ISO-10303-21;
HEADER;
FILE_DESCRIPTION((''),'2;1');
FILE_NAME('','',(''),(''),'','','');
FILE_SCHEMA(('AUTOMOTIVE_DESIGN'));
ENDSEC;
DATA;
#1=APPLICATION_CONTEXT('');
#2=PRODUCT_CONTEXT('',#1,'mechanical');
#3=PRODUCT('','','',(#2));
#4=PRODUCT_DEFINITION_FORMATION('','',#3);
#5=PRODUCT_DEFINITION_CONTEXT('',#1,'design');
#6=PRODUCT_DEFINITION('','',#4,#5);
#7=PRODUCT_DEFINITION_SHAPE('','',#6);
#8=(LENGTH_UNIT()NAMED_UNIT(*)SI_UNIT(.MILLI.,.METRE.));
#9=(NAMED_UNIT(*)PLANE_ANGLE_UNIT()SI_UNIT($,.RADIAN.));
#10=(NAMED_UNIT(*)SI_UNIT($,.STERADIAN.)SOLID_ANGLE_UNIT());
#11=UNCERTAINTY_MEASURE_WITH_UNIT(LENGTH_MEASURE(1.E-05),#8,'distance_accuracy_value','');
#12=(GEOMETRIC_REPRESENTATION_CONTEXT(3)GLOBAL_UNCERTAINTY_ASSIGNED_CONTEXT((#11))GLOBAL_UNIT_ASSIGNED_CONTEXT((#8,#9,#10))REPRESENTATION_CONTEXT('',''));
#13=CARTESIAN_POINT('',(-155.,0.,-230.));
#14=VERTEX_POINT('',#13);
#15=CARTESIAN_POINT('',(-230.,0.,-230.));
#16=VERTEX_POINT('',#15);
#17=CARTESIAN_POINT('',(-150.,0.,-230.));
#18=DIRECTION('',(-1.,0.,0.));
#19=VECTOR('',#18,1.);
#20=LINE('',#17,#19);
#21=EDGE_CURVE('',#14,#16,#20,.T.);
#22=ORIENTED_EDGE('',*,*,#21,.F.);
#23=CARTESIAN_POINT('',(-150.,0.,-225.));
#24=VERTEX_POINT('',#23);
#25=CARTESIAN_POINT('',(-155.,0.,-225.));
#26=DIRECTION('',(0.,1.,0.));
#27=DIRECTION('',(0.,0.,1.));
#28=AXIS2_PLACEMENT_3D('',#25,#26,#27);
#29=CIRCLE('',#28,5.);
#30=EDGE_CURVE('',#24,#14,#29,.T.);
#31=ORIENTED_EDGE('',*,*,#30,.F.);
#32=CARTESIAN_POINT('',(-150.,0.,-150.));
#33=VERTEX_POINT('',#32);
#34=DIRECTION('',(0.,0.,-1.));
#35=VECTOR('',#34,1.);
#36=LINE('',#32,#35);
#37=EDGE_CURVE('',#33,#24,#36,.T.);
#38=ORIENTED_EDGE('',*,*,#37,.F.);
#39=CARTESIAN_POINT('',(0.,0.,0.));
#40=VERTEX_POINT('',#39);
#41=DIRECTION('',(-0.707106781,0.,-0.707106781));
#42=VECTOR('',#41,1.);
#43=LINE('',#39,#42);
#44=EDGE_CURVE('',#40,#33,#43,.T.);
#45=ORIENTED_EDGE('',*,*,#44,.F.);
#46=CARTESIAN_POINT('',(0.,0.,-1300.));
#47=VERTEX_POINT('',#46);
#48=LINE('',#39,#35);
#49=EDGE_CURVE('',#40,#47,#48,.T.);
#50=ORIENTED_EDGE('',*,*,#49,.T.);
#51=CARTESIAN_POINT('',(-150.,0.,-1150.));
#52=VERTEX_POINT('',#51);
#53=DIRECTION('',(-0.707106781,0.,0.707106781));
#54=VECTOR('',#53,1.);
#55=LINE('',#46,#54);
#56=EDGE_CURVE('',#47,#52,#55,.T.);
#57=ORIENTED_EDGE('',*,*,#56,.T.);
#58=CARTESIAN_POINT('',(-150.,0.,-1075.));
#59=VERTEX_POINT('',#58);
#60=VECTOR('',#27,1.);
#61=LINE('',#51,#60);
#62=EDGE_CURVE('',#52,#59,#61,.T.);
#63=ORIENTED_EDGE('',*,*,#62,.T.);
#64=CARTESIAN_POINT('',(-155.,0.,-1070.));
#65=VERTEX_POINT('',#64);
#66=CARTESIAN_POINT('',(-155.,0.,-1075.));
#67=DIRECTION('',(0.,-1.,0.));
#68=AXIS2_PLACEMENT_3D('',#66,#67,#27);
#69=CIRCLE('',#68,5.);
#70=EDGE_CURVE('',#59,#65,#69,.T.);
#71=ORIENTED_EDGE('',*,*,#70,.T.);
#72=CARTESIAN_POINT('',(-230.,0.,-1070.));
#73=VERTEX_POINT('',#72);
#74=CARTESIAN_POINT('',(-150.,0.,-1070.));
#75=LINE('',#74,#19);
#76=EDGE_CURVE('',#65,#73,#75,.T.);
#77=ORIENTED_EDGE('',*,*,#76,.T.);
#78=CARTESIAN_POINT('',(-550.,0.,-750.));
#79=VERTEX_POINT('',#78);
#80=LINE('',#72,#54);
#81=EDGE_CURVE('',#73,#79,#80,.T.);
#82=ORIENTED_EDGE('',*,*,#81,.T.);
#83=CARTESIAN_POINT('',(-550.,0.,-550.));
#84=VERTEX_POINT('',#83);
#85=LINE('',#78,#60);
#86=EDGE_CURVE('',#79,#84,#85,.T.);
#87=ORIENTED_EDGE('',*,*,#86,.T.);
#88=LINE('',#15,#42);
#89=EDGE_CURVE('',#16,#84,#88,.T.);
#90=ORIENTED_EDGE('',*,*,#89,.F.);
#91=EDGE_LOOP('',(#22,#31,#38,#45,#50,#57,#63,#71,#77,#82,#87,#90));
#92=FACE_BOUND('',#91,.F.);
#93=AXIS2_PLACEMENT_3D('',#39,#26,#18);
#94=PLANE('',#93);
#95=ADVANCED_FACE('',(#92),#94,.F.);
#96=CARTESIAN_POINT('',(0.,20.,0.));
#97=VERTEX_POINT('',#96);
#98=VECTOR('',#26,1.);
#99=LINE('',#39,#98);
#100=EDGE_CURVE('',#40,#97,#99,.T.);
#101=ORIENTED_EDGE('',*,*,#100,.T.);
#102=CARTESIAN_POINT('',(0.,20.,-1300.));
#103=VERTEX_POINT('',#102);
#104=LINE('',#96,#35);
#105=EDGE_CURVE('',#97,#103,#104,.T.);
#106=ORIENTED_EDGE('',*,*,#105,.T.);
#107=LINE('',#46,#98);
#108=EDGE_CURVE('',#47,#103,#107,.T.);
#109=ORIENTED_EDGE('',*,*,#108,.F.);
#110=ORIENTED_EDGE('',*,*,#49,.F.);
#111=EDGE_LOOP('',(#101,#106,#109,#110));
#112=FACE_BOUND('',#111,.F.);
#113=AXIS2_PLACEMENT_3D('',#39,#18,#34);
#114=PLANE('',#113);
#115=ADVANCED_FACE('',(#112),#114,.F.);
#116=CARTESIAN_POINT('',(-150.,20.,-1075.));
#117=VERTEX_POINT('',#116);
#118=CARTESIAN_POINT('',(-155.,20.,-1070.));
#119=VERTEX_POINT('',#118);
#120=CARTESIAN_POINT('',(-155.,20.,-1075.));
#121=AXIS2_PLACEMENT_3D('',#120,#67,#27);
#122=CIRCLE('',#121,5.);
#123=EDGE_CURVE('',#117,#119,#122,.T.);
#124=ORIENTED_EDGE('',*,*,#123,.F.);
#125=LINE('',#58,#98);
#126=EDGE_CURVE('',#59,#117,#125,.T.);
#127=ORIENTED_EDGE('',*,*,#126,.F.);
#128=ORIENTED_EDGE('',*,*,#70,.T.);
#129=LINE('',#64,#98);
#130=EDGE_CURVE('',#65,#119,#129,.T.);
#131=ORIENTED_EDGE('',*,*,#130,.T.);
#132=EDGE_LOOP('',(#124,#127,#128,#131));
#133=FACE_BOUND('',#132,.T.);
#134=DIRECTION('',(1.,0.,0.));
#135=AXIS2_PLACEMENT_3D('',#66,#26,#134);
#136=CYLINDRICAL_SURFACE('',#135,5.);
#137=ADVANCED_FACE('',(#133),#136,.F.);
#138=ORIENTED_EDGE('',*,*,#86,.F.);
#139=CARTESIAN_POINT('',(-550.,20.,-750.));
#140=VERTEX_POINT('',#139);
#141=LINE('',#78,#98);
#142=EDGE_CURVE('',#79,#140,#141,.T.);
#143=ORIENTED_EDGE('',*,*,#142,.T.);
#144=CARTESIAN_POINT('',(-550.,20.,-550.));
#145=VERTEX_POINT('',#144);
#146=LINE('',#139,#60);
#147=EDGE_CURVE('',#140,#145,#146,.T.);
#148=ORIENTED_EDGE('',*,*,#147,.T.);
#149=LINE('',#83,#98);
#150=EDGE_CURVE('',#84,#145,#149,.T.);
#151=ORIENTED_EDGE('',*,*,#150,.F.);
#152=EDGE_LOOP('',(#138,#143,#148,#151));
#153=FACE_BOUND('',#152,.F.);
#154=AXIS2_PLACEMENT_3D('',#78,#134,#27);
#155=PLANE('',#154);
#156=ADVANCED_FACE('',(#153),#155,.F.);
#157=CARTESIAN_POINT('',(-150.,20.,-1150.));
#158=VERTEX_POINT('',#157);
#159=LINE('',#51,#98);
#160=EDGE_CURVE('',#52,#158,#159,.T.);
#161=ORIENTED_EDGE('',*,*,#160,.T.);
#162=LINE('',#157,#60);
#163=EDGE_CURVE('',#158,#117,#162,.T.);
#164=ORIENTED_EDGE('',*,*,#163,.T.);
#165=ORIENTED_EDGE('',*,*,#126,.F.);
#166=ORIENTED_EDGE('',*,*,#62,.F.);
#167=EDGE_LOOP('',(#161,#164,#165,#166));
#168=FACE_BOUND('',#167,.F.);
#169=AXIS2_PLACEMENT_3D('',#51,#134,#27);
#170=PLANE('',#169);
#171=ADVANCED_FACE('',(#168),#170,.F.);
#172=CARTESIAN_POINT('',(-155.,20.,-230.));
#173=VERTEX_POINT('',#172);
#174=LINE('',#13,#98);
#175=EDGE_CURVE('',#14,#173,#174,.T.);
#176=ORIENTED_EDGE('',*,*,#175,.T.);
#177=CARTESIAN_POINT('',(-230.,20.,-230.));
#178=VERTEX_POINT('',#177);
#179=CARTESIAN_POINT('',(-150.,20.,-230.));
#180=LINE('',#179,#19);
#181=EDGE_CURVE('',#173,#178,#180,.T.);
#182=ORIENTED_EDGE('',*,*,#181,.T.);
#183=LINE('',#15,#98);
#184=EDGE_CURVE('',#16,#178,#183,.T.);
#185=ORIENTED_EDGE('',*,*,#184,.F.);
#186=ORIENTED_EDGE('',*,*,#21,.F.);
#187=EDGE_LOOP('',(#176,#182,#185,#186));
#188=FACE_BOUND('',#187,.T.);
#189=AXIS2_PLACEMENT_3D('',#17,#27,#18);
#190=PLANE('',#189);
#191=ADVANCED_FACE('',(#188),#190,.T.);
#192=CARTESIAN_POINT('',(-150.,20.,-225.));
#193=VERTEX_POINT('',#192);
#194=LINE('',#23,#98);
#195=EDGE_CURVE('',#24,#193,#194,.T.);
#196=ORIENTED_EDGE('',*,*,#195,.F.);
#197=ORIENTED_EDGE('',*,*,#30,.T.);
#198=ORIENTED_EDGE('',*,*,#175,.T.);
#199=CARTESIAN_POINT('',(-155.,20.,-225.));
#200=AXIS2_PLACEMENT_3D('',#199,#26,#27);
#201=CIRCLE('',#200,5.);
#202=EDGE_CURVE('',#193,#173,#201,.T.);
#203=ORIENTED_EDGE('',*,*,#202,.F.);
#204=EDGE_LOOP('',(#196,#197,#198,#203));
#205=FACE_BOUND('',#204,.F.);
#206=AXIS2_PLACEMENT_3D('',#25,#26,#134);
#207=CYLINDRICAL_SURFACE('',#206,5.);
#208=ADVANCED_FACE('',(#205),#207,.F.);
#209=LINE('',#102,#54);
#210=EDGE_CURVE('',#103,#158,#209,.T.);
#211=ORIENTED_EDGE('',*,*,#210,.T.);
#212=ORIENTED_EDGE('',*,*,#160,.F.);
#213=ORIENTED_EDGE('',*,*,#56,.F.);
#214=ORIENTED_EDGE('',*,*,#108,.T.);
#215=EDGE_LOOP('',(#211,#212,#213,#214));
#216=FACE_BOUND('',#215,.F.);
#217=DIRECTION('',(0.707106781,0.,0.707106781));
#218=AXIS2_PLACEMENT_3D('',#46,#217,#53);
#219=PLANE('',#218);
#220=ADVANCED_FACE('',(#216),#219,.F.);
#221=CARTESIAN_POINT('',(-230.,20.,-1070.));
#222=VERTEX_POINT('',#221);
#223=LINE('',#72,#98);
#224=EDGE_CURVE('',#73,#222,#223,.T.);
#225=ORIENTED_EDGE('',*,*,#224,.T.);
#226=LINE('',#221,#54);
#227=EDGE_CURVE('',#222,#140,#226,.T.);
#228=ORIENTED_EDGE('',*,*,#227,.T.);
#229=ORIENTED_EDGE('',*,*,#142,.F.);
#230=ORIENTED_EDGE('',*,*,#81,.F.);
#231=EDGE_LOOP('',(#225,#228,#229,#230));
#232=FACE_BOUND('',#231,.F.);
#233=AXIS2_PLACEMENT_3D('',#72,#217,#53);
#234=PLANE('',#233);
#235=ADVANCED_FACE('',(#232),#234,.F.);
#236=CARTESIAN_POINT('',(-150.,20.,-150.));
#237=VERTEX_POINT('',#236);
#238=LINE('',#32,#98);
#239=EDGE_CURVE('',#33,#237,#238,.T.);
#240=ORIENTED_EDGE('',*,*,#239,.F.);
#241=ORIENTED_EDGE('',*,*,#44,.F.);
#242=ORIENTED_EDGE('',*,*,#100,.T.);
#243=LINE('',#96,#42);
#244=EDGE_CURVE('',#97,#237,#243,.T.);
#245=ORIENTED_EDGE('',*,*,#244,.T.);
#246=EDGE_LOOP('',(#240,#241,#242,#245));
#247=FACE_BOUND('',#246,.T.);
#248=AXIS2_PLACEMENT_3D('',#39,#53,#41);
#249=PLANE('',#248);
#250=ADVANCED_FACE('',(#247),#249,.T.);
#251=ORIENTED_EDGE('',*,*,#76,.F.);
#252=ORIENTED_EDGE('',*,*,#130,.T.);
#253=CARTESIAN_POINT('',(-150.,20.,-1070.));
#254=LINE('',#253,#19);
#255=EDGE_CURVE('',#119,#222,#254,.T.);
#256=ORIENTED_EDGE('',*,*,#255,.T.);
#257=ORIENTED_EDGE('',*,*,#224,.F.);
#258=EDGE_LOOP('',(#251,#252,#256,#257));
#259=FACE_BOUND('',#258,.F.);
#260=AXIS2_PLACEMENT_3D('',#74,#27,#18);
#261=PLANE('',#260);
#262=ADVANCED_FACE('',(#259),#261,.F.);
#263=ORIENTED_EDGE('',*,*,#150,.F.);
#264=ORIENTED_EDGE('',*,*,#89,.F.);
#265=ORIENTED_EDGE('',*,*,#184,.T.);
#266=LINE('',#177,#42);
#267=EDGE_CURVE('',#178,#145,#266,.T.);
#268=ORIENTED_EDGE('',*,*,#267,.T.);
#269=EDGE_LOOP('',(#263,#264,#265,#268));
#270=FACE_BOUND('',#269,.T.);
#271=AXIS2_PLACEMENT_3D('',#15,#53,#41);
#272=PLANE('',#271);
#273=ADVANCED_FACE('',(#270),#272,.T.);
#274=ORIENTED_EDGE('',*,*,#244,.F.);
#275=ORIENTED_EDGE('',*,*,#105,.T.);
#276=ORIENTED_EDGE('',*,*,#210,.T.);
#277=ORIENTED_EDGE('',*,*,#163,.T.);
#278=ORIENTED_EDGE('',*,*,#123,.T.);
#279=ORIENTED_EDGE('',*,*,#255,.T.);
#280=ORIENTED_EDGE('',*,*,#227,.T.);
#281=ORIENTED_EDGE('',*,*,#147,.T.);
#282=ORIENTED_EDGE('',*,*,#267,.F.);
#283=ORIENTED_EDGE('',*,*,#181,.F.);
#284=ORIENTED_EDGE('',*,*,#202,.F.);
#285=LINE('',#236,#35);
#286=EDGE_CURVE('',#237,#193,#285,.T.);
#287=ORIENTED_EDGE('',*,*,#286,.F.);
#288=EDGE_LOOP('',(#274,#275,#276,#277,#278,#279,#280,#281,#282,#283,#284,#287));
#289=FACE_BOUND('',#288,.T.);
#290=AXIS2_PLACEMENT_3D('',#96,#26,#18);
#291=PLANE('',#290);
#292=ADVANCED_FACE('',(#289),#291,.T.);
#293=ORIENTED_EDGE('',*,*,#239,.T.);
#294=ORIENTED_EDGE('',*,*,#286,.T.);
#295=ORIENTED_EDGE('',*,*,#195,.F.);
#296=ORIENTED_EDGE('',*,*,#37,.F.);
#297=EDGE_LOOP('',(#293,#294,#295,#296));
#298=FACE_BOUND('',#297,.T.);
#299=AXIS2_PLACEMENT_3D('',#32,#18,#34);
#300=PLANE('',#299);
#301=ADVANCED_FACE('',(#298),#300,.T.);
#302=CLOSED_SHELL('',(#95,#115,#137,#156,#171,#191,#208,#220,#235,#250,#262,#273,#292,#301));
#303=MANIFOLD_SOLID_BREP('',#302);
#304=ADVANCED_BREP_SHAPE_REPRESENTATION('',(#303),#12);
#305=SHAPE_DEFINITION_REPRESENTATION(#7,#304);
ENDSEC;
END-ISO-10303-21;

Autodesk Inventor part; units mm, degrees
ref_plane "YZ Plane" through (0, 0, 0) normal (1, 0, 0) x (0, 1, 0)
ref_plane "XZ Plane" through (0, 0, 0) normal (0, 1, 0) x (-1, 0, 0)
ref_plane "XY Plane" through (0, 0, 0) normal (0, 0, 1) x (1, 0, 0)
sketch "Sketch1" plane through (0, 0, 0) normal (0, 1, 0) x (-1, 0, 0)
  line L0 (0, 0) -> (0, -1300)
  line L1 (550, -750) -> (550, -550)
  line L2 (150, -150) -> (150, -230)
  line L3 (150, -230) -> (230, -230)
  line L4 (0, 0) -> (150, -150)
  line L5 (230, -230) -> (550, -550)
  line L6 (150, -1150) -> (150, -1070)
  line L7 (150, -1070) -> (230, -1070)
  line L8 (0, -1300) -> (150, -1150)
  line L9 (230, -1070) -> (550, -750)
  dimension "d3" = 1300
  dimension "d6" = 550
  dimension "d7" = 150
  dimension "d8" = 80
  dimension "d9" = 45
  dimension "d10" = 80
  dimension "d11" = 150
  dimension "d12" = 45
extrude "Extrusion1" add sketch "Sketch1" along normal blind 20
fillet "Fillet1" radius 5 1 edges at (-150, 10, -230)
fillet "Fillet2" radius 5 1 edges at (-150, 10, -1070)
properties part number "top short"
